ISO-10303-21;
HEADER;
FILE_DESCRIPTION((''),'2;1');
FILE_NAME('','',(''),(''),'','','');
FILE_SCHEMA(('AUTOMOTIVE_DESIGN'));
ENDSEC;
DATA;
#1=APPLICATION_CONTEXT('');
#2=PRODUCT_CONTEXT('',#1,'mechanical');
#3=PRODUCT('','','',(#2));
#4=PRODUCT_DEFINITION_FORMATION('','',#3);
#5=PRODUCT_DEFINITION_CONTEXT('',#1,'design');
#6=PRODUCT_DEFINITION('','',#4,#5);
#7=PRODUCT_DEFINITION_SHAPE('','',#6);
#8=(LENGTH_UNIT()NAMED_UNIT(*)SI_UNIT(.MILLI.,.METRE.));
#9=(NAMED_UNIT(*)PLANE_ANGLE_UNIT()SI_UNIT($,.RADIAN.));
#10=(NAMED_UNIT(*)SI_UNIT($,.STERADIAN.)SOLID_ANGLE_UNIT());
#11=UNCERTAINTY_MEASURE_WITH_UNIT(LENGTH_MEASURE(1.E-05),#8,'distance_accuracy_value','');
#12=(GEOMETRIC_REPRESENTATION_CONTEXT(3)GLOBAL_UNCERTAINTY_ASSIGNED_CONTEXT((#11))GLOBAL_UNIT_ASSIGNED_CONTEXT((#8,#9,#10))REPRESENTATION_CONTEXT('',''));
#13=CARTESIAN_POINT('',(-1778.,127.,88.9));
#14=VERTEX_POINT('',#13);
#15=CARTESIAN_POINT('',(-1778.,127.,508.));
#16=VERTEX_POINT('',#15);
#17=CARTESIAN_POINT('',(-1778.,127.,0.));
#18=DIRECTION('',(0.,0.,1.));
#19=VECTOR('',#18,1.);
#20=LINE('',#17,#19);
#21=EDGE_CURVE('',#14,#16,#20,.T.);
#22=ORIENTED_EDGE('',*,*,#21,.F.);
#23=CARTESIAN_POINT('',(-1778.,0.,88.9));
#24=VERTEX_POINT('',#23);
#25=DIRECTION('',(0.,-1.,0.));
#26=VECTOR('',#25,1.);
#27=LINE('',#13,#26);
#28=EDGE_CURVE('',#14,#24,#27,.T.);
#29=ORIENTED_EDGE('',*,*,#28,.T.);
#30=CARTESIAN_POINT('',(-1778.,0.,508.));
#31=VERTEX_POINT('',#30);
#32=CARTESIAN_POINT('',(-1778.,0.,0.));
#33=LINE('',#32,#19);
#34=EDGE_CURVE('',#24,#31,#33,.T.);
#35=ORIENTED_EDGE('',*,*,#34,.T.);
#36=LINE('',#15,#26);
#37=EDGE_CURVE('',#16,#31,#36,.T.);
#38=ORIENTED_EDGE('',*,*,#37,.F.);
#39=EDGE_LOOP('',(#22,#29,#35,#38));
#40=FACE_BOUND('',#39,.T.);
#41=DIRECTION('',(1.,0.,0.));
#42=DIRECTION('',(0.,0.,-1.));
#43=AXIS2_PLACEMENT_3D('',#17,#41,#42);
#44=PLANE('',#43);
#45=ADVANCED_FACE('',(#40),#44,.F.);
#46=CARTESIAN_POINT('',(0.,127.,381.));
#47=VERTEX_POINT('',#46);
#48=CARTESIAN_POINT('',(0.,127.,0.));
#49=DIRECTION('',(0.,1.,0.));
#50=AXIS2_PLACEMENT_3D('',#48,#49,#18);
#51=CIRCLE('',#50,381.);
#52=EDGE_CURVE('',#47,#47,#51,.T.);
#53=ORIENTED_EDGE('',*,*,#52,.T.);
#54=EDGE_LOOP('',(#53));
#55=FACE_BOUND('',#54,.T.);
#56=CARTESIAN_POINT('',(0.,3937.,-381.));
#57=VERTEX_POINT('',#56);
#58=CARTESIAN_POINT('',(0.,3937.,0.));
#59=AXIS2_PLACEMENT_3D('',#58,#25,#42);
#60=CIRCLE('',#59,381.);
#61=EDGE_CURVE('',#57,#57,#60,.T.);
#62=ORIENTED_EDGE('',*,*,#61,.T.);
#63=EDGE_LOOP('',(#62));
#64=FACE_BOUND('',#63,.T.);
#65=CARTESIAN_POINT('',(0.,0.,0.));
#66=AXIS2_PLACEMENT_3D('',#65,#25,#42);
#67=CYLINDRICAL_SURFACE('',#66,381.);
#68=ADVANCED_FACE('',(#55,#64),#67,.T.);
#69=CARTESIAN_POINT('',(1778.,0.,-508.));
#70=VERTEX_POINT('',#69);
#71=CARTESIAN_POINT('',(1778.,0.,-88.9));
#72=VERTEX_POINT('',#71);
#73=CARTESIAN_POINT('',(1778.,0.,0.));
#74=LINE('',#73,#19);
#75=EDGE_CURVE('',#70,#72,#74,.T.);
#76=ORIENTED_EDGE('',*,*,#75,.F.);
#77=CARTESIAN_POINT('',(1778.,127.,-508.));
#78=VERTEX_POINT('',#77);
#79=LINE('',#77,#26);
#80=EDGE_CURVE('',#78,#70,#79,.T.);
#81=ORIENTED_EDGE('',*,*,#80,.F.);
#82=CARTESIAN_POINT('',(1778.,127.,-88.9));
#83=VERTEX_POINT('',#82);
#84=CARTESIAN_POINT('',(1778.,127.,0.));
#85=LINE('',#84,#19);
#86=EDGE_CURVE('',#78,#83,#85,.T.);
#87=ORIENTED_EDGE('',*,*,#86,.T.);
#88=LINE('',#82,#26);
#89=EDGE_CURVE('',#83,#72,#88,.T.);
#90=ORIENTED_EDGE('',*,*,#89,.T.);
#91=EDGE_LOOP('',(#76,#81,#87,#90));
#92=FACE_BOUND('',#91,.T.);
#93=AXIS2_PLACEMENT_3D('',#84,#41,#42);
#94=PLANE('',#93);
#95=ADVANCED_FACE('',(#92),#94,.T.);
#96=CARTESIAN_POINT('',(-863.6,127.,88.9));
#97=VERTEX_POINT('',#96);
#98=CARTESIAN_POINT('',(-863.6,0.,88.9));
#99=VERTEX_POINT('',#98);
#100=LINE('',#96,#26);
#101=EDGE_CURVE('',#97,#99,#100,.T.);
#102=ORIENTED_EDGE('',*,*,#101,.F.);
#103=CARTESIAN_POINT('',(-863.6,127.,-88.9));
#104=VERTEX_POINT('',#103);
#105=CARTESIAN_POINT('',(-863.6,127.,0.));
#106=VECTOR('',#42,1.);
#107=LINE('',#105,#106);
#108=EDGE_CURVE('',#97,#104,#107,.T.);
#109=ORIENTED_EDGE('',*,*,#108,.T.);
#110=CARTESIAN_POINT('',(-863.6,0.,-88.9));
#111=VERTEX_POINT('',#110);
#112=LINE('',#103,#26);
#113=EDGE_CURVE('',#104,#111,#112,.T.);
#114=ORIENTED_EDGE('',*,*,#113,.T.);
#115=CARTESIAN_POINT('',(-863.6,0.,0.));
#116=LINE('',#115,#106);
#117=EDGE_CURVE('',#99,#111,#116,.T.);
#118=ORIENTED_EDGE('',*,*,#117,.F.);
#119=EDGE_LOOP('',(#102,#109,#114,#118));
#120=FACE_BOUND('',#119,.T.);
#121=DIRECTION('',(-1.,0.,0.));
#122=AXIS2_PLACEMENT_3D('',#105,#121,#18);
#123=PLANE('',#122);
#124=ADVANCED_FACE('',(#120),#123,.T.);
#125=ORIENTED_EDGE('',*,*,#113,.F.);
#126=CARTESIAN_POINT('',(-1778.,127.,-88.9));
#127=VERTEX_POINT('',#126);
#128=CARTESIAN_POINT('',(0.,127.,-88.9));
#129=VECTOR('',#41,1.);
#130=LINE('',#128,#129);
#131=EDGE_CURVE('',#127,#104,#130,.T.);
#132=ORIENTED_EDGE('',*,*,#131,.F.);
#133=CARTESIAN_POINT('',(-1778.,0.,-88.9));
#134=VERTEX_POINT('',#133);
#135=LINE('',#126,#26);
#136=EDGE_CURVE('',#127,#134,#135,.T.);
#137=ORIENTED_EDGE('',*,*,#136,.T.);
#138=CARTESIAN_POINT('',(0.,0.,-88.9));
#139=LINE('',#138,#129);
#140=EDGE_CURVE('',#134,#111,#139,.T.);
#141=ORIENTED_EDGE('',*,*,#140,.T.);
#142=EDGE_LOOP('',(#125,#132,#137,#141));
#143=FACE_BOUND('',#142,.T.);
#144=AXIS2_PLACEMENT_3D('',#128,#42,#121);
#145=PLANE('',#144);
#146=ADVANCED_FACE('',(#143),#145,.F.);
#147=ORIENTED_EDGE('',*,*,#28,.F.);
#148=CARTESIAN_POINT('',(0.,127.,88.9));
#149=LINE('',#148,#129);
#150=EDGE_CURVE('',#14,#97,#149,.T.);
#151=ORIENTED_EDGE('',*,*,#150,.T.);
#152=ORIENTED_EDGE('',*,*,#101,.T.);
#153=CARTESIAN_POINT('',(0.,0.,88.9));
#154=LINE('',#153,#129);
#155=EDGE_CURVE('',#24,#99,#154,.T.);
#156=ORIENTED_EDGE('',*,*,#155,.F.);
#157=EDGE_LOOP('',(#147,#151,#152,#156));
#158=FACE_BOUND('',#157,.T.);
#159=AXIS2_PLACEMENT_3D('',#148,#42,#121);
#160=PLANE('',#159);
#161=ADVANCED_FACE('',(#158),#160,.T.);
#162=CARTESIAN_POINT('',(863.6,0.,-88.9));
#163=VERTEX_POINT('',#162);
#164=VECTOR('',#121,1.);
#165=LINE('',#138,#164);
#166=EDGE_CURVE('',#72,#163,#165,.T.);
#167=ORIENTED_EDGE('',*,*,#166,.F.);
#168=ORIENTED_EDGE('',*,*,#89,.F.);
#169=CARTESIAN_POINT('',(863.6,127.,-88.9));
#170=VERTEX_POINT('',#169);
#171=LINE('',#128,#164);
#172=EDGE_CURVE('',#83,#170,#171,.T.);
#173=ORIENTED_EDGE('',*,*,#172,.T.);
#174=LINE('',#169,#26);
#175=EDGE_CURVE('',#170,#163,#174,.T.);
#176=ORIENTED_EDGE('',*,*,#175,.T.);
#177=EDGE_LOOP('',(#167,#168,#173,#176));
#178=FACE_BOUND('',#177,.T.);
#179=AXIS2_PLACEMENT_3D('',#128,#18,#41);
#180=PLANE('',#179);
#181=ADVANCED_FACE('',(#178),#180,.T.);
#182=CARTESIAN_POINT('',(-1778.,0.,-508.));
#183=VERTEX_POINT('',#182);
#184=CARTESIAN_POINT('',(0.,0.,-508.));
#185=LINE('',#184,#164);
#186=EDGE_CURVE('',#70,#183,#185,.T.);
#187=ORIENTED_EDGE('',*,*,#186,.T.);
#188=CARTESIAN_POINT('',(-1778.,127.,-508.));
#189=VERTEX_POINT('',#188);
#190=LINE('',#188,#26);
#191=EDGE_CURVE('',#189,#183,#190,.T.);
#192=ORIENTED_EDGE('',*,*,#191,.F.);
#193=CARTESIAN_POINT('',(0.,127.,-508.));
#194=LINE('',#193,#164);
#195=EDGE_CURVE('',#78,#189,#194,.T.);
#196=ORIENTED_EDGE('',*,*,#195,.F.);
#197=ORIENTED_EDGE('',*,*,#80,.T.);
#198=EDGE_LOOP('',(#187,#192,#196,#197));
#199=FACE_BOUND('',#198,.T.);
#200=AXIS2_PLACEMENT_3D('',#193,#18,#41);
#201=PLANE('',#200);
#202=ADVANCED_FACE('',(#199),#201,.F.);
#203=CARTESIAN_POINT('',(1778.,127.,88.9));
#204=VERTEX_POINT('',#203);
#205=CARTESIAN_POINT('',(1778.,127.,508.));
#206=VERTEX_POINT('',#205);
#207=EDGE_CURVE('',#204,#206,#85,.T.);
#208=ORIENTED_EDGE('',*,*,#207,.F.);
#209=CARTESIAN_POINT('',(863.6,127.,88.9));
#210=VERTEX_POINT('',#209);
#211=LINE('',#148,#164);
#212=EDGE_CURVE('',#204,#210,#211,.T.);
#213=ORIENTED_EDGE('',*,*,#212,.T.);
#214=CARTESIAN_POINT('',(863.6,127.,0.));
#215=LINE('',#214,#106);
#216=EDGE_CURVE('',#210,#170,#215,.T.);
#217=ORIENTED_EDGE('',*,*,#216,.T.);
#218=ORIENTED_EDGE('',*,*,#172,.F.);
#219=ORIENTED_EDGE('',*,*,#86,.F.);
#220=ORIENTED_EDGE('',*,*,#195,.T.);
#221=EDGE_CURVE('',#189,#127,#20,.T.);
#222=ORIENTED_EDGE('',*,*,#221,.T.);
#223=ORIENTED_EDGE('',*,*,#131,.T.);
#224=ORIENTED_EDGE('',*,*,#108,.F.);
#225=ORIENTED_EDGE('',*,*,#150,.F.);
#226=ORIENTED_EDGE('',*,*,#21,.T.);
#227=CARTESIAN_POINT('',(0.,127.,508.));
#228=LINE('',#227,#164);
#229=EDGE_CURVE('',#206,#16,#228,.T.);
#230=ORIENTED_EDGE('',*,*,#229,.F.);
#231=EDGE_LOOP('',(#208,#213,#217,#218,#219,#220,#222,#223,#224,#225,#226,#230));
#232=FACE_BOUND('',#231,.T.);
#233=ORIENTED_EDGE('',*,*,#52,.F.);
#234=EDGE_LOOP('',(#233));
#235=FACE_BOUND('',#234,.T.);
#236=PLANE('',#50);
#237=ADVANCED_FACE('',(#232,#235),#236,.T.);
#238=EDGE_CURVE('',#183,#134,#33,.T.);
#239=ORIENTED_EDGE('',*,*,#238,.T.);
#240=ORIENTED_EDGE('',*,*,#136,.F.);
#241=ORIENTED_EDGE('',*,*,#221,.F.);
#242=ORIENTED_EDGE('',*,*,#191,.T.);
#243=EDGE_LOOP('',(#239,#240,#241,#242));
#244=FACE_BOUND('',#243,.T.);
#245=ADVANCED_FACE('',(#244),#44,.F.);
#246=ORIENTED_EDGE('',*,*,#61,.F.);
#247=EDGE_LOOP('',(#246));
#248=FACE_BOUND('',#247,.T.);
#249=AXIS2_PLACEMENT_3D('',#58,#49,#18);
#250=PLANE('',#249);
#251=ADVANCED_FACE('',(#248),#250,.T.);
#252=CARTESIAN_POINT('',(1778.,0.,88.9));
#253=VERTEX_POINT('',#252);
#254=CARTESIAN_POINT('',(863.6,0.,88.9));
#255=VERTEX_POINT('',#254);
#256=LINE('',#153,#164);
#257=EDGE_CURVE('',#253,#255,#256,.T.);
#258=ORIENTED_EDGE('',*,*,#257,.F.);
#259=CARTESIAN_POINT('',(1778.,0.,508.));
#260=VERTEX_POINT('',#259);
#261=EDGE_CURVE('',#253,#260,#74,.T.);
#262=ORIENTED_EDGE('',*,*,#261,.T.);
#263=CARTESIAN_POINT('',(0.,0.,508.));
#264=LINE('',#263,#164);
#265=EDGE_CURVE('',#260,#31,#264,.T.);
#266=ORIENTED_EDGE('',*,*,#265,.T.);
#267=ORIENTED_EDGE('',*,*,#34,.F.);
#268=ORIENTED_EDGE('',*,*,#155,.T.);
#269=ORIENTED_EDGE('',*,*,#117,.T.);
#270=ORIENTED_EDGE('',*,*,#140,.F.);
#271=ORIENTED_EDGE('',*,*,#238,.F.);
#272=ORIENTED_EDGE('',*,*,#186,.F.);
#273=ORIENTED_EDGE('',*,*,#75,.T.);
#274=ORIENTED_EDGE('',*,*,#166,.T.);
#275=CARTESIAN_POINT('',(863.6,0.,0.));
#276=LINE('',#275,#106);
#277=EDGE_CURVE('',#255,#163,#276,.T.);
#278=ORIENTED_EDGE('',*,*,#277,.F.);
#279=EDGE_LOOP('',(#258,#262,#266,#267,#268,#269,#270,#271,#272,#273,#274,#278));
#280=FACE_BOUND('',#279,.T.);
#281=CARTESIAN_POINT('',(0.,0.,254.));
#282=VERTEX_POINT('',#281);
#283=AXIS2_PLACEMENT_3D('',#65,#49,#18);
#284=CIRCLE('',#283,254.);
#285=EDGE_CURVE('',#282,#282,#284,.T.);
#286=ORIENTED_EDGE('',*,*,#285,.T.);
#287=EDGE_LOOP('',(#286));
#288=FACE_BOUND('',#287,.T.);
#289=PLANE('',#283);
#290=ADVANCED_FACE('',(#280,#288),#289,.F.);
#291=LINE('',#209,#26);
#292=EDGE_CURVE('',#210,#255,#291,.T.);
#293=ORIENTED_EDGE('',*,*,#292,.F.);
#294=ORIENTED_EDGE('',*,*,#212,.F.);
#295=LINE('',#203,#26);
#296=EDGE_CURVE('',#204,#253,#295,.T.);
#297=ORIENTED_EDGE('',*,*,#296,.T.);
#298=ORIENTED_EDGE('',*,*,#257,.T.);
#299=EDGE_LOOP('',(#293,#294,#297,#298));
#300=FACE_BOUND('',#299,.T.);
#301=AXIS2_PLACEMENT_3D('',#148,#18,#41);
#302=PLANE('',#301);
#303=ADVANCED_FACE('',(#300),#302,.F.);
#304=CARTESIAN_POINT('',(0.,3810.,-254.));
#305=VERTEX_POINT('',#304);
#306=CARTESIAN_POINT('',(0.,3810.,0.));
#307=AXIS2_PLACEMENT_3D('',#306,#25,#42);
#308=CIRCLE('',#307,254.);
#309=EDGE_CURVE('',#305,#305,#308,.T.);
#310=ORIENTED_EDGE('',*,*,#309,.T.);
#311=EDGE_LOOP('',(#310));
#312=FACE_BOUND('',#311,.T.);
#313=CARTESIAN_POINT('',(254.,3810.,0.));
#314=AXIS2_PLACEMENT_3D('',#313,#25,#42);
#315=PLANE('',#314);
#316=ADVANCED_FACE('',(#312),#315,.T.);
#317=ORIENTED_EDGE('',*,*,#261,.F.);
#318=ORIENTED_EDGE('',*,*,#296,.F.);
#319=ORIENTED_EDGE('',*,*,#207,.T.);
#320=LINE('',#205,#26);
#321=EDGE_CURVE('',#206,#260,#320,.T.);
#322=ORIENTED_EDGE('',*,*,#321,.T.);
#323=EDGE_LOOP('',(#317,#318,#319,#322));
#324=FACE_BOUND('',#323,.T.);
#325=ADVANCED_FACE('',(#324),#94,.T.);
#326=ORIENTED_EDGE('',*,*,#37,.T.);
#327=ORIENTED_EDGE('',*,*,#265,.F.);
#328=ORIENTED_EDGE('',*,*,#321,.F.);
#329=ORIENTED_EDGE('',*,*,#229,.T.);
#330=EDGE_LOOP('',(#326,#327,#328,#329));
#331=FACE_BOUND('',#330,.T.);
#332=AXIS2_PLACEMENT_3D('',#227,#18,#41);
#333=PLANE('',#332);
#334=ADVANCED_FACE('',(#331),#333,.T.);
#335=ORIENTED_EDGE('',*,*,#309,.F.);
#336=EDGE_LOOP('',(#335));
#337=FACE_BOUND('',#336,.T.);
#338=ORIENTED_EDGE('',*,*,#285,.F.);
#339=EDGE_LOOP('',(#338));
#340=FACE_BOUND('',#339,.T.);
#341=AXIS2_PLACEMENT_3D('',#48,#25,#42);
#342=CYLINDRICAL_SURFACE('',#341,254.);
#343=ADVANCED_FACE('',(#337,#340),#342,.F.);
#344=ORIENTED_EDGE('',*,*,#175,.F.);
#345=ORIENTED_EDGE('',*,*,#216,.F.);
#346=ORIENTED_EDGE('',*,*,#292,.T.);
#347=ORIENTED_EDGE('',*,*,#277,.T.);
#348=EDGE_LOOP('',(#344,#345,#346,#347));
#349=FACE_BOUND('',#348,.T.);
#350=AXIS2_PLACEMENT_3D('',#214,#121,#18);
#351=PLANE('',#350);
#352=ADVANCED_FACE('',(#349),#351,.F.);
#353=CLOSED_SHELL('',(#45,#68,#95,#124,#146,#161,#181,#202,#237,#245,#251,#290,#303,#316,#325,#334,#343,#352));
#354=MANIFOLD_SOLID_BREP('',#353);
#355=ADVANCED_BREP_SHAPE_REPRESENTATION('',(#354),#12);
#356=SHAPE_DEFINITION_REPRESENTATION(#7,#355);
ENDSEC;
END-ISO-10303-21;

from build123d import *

# Parameters (mm, degrees)
SKETCH2_R           = 254
BOSS_EXTRUDE1_DEPTH = 127


with BuildPart() as part:
    # Sketch2 → Boss-Extrude1 (new body)
    with BuildSketch(Plane(origin=(0, 0, 0), x_dir=(1, 0, 0), z_dir=(0, 1, 0))):
        Polygon((1778, 508), (-1778, 508), (-1778, 88.9), (-863.6, 88.9), (-863.6, -88.9), (-1778, -88.9), (-1778, -508), (1778, -508), (1778, -88.9), (863.6, -88.9), (863.6, 88.9), (1778, 88.9), align=None)
        Circle(SKETCH2_R, mode=Mode.SUBTRACT)
    extrude(amount=BOSS_EXTRUDE1_DEPTH)

    # Sketch3 → Revolve1 (revolve)
    with BuildSketch(Plane.XY):
        Polygon((0, 3937), (381, 3937), (381, 127), (254, 127), (254, 3810), (0, 3810), align=None)
    revolve(axis=Axis((0, 0, 0), (0, 1, 0)))


solid = part.part
